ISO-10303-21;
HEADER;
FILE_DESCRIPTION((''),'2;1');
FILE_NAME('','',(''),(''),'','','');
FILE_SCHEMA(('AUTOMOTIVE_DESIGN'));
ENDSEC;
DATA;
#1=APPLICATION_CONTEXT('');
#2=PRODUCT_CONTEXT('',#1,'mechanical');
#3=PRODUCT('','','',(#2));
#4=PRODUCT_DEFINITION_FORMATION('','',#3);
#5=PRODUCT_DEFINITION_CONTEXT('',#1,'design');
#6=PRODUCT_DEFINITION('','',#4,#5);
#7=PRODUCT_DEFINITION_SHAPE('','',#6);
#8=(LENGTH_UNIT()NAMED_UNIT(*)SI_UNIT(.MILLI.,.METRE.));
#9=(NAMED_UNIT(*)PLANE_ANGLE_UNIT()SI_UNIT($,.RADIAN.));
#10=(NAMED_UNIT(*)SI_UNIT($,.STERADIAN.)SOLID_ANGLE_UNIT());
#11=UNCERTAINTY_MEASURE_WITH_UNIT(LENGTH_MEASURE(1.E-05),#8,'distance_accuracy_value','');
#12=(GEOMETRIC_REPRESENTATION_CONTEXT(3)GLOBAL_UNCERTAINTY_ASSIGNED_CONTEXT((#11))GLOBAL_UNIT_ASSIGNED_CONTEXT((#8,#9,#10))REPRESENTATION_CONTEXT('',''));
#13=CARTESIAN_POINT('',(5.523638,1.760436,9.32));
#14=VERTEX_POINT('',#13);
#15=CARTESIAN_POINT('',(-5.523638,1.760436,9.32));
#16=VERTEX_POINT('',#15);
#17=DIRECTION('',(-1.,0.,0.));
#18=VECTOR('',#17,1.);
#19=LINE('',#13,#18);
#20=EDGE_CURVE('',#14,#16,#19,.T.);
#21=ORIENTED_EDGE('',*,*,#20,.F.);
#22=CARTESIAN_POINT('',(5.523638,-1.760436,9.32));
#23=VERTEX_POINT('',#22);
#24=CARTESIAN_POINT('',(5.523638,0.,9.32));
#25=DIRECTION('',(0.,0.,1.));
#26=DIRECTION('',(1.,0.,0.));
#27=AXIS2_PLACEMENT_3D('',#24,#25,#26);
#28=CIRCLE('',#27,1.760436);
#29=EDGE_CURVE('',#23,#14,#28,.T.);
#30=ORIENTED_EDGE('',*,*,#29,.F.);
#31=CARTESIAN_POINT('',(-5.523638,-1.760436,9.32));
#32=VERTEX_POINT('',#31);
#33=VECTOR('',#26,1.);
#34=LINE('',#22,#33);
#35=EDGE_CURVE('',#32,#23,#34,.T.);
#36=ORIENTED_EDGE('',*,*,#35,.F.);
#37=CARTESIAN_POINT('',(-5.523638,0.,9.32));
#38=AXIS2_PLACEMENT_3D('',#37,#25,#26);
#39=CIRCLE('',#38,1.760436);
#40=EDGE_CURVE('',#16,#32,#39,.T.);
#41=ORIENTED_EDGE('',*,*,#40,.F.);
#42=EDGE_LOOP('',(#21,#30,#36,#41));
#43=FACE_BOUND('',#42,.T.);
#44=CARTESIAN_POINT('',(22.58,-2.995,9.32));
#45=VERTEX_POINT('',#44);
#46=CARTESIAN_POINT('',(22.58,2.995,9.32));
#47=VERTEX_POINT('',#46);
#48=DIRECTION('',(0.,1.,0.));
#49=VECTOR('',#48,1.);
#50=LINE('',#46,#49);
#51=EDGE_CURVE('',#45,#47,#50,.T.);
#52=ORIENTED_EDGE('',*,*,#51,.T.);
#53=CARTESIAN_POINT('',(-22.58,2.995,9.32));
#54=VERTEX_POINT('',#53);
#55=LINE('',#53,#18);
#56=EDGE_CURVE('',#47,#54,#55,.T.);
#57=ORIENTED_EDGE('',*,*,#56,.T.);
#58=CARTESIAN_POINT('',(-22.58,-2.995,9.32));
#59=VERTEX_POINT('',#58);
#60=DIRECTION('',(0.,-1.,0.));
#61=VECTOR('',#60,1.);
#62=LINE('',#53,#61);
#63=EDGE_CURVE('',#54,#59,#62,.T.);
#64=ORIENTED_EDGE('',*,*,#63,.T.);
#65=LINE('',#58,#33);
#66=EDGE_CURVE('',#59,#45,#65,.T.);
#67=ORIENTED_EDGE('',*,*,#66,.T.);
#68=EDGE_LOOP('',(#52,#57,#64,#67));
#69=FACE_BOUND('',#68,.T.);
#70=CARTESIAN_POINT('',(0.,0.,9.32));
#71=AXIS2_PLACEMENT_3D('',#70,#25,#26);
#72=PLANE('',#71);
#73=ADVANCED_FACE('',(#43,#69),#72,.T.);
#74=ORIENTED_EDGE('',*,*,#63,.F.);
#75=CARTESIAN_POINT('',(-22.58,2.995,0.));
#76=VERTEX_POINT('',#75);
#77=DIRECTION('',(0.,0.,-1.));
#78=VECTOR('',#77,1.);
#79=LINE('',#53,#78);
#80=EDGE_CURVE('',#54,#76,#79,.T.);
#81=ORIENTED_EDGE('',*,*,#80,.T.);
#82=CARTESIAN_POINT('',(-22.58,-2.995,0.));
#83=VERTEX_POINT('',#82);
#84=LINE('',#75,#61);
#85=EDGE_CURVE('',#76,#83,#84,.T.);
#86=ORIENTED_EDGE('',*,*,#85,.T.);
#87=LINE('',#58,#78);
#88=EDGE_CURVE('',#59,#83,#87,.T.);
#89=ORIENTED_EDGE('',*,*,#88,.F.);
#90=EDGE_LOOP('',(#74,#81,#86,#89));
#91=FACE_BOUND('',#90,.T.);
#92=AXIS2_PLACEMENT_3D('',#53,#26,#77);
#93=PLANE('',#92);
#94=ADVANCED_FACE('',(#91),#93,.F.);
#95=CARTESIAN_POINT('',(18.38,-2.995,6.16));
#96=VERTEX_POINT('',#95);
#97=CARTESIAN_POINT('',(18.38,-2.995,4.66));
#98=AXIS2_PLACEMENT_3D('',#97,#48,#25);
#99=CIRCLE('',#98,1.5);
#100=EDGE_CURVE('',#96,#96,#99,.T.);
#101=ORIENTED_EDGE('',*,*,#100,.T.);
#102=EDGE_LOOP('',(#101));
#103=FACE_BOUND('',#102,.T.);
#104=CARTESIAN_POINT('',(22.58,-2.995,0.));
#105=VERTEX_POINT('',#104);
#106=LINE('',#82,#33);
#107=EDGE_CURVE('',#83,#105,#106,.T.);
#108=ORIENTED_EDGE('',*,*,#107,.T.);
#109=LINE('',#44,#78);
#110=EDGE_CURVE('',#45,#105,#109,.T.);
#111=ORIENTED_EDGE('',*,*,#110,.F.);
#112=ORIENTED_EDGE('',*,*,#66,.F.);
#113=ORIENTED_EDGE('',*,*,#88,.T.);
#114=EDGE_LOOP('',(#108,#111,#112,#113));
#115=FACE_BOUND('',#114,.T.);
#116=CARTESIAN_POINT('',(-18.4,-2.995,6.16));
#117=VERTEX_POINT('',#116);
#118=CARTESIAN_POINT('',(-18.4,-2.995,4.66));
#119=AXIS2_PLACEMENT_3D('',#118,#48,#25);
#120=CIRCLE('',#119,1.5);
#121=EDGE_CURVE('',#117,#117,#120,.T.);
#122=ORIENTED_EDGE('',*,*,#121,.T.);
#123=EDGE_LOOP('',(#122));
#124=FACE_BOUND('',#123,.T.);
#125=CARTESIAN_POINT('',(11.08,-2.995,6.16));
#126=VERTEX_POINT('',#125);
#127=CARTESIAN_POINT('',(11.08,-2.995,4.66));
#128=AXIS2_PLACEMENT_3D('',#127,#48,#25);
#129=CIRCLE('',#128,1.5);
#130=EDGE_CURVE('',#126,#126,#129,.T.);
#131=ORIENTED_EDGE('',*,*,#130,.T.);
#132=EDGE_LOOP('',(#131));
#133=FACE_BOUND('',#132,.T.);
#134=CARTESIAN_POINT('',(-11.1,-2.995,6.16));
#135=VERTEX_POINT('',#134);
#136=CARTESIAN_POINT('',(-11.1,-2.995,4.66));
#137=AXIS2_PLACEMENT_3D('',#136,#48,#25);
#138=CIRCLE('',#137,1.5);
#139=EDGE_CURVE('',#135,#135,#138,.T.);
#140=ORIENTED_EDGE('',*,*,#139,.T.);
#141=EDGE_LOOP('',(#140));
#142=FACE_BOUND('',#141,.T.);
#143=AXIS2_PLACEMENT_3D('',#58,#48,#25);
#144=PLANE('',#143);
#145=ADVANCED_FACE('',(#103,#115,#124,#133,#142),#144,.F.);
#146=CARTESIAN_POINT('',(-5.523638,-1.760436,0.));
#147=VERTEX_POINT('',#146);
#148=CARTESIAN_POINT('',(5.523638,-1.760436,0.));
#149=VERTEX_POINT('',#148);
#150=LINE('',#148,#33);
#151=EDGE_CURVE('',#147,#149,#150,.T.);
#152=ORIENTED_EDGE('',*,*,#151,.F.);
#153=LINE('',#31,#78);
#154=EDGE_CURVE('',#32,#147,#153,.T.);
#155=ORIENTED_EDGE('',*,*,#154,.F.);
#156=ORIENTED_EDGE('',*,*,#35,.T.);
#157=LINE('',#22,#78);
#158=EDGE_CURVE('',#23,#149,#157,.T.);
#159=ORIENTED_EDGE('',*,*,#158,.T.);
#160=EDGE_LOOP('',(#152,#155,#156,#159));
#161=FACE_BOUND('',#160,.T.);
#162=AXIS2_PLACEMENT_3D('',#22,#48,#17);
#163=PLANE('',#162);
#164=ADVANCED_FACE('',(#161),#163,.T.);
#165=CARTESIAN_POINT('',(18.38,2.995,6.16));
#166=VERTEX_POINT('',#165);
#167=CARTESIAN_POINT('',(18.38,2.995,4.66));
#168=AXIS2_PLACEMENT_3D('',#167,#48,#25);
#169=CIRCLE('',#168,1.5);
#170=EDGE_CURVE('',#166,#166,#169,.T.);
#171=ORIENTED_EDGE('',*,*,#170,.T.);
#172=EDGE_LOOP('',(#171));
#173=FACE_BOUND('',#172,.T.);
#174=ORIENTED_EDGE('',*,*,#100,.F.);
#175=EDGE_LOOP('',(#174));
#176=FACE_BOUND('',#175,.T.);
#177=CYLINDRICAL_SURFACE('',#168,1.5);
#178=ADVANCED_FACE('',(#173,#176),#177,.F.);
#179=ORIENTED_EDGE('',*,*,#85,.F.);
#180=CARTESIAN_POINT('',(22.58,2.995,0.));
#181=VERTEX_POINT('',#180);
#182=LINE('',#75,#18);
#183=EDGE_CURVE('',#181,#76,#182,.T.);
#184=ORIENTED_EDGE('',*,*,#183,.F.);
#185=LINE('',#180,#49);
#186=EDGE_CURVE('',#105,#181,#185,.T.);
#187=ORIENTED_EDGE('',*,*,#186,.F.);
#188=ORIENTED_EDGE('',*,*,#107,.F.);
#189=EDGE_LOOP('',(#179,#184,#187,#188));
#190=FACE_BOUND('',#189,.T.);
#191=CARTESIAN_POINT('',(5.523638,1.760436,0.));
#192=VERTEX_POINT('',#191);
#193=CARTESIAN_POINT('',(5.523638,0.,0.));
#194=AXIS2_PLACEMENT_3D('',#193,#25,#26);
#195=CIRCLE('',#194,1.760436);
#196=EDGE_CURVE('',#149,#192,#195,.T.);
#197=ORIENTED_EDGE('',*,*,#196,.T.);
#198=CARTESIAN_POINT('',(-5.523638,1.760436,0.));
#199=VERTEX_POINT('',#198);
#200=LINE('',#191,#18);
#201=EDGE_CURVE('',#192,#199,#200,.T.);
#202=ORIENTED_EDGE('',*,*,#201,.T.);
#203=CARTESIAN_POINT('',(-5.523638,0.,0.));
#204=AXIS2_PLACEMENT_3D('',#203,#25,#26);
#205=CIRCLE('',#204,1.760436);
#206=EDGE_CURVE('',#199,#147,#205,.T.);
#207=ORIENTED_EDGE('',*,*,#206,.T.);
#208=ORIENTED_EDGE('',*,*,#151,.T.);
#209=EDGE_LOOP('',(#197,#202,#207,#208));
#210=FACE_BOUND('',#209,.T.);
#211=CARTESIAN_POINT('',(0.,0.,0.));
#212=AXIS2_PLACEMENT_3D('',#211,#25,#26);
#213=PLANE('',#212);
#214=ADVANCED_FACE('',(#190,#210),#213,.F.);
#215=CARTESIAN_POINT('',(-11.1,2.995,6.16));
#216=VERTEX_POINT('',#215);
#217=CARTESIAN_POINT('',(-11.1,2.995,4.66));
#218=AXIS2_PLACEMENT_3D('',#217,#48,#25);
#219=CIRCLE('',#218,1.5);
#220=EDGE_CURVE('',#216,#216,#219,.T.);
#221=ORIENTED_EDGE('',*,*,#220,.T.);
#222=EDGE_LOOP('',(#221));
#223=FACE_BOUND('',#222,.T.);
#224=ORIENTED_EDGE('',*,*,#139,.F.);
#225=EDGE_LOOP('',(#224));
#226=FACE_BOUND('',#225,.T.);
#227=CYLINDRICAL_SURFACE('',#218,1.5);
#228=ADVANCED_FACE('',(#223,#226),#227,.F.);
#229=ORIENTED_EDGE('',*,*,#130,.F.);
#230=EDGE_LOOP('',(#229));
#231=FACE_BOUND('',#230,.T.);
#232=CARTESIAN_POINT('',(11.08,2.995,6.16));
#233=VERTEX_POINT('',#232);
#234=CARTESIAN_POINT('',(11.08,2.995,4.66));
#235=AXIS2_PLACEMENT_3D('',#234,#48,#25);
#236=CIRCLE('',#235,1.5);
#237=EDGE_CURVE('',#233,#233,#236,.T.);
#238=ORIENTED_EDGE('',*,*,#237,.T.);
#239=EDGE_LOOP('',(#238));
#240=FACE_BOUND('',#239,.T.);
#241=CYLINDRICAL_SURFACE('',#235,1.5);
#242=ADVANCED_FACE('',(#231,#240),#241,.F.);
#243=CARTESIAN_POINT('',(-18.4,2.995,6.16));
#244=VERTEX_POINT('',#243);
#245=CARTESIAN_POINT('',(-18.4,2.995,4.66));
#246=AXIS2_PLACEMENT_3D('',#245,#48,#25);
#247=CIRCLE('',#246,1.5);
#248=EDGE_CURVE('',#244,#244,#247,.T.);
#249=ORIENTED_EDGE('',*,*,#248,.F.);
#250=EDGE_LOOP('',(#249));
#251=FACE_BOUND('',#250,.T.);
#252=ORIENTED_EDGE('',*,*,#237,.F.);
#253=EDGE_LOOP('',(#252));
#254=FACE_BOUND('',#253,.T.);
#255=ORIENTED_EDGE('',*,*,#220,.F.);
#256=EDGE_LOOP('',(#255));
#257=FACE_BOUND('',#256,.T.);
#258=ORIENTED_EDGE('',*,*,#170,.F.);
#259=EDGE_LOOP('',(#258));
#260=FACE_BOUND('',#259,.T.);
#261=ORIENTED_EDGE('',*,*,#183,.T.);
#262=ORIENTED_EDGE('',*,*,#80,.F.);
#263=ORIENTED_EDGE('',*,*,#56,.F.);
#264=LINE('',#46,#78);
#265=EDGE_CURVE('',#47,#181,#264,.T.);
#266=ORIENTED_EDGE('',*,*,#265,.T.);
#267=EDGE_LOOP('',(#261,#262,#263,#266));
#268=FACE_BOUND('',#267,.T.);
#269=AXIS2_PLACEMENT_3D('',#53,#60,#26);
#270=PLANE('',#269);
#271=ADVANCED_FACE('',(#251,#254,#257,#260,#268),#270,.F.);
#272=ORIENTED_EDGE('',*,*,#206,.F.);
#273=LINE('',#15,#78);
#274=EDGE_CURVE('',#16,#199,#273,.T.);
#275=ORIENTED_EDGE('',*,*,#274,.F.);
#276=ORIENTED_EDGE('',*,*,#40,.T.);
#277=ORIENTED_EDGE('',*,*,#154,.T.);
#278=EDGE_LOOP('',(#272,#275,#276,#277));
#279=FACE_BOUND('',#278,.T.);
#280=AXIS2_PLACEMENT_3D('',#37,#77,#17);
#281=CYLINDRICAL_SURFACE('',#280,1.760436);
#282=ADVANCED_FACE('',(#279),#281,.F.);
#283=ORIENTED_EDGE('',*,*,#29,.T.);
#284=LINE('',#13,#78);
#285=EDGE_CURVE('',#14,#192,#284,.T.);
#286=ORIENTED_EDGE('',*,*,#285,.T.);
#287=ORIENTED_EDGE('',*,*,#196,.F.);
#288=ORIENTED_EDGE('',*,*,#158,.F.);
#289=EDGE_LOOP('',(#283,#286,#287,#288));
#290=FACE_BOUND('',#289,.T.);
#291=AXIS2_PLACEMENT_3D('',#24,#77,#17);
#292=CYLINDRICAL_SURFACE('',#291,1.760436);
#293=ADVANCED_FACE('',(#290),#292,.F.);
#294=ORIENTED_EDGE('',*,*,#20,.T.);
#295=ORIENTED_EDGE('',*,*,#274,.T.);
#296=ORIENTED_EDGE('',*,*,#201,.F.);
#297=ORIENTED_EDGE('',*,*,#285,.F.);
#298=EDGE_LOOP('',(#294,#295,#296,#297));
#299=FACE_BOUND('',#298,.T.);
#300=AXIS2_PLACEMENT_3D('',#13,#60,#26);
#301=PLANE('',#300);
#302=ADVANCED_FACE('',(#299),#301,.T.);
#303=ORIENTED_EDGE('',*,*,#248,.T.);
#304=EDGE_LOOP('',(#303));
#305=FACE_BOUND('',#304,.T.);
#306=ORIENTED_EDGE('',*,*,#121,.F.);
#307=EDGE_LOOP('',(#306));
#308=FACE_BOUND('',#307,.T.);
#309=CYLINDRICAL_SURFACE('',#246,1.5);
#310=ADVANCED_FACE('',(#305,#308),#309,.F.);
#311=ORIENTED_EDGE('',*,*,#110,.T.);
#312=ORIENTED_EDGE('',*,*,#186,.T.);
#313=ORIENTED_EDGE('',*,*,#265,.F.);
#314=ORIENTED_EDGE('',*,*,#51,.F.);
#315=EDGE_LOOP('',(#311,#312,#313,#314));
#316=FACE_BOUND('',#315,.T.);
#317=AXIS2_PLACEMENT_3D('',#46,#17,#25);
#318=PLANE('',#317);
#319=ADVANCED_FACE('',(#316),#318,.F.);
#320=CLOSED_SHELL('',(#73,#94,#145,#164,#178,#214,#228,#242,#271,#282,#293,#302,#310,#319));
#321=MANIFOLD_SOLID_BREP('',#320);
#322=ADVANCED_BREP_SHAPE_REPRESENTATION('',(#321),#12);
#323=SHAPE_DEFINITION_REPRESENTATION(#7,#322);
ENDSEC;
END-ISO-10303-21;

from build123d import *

# Parameters (mm, degrees)
SKETCH1_W                 = 45.16
SKETCH1_H                 = 5.99
BOSS_EXTRUDE1_DEPTH       = 9.32
F_3_0MM_DOWEL_HOLE1_D     = 3
F_3_0MM_DOWEL_HOLE1_DEPTH = 10
F_3_0MM_DOWEL_HOLE1_TIP   = 0.901290929


with BuildPart() as part:
    # Sketch1 → Boss-Extrude1 (new body)
    with BuildSketch(Plane.XY):
        Rectangle(SKETCH1_W, SKETCH1_H)
        with BuildLine():
            Line((5.523637636, -1.760435864), (-5.523637636, -1.760435864))
            ThreePointArc((-5.523637636, -1.760435864), (-7.284073501, 0), (-5.523637636, 1.760435864))
            Line((-5.523637636, 1.760435864), (5.523637636, 1.760435864))
            ThreePointArc((5.523637636, 1.760435864), (7.284073501, 0), (5.523637636, -1.760435864))
        make_face(mode=Mode.SUBTRACT)
    extrude(amount=BOSS_EXTRUDE1_DEPTH)

    # Ø3.0mm Dowel Hole1
    with Locations(Plane(origin=(0, 2.995, 0), x_dir=(1, 0, 0), z_dir=(0, 1, 0))):
        with Locations((-18.4, -4.66), (-11.1, -4.66), (11.08, -4.66), (18.38, -4.66)):
            Hole(F_3_0MM_DOWEL_HOLE1_D / 2, depth=F_3_0MM_DOWEL_HOLE1_DEPTH)
            with Locations((0, 0, -(F_3_0MM_DOWEL_HOLE1_DEPTH + F_3_0MM_DOWEL_HOLE1_TIP / 2))):  # 118° drill point
                Cone(0, F_3_0MM_DOWEL_HOLE1_D / 2, F_3_0MM_DOWEL_HOLE1_TIP, mode=Mode.SUBTRACT)


solid = part.part
